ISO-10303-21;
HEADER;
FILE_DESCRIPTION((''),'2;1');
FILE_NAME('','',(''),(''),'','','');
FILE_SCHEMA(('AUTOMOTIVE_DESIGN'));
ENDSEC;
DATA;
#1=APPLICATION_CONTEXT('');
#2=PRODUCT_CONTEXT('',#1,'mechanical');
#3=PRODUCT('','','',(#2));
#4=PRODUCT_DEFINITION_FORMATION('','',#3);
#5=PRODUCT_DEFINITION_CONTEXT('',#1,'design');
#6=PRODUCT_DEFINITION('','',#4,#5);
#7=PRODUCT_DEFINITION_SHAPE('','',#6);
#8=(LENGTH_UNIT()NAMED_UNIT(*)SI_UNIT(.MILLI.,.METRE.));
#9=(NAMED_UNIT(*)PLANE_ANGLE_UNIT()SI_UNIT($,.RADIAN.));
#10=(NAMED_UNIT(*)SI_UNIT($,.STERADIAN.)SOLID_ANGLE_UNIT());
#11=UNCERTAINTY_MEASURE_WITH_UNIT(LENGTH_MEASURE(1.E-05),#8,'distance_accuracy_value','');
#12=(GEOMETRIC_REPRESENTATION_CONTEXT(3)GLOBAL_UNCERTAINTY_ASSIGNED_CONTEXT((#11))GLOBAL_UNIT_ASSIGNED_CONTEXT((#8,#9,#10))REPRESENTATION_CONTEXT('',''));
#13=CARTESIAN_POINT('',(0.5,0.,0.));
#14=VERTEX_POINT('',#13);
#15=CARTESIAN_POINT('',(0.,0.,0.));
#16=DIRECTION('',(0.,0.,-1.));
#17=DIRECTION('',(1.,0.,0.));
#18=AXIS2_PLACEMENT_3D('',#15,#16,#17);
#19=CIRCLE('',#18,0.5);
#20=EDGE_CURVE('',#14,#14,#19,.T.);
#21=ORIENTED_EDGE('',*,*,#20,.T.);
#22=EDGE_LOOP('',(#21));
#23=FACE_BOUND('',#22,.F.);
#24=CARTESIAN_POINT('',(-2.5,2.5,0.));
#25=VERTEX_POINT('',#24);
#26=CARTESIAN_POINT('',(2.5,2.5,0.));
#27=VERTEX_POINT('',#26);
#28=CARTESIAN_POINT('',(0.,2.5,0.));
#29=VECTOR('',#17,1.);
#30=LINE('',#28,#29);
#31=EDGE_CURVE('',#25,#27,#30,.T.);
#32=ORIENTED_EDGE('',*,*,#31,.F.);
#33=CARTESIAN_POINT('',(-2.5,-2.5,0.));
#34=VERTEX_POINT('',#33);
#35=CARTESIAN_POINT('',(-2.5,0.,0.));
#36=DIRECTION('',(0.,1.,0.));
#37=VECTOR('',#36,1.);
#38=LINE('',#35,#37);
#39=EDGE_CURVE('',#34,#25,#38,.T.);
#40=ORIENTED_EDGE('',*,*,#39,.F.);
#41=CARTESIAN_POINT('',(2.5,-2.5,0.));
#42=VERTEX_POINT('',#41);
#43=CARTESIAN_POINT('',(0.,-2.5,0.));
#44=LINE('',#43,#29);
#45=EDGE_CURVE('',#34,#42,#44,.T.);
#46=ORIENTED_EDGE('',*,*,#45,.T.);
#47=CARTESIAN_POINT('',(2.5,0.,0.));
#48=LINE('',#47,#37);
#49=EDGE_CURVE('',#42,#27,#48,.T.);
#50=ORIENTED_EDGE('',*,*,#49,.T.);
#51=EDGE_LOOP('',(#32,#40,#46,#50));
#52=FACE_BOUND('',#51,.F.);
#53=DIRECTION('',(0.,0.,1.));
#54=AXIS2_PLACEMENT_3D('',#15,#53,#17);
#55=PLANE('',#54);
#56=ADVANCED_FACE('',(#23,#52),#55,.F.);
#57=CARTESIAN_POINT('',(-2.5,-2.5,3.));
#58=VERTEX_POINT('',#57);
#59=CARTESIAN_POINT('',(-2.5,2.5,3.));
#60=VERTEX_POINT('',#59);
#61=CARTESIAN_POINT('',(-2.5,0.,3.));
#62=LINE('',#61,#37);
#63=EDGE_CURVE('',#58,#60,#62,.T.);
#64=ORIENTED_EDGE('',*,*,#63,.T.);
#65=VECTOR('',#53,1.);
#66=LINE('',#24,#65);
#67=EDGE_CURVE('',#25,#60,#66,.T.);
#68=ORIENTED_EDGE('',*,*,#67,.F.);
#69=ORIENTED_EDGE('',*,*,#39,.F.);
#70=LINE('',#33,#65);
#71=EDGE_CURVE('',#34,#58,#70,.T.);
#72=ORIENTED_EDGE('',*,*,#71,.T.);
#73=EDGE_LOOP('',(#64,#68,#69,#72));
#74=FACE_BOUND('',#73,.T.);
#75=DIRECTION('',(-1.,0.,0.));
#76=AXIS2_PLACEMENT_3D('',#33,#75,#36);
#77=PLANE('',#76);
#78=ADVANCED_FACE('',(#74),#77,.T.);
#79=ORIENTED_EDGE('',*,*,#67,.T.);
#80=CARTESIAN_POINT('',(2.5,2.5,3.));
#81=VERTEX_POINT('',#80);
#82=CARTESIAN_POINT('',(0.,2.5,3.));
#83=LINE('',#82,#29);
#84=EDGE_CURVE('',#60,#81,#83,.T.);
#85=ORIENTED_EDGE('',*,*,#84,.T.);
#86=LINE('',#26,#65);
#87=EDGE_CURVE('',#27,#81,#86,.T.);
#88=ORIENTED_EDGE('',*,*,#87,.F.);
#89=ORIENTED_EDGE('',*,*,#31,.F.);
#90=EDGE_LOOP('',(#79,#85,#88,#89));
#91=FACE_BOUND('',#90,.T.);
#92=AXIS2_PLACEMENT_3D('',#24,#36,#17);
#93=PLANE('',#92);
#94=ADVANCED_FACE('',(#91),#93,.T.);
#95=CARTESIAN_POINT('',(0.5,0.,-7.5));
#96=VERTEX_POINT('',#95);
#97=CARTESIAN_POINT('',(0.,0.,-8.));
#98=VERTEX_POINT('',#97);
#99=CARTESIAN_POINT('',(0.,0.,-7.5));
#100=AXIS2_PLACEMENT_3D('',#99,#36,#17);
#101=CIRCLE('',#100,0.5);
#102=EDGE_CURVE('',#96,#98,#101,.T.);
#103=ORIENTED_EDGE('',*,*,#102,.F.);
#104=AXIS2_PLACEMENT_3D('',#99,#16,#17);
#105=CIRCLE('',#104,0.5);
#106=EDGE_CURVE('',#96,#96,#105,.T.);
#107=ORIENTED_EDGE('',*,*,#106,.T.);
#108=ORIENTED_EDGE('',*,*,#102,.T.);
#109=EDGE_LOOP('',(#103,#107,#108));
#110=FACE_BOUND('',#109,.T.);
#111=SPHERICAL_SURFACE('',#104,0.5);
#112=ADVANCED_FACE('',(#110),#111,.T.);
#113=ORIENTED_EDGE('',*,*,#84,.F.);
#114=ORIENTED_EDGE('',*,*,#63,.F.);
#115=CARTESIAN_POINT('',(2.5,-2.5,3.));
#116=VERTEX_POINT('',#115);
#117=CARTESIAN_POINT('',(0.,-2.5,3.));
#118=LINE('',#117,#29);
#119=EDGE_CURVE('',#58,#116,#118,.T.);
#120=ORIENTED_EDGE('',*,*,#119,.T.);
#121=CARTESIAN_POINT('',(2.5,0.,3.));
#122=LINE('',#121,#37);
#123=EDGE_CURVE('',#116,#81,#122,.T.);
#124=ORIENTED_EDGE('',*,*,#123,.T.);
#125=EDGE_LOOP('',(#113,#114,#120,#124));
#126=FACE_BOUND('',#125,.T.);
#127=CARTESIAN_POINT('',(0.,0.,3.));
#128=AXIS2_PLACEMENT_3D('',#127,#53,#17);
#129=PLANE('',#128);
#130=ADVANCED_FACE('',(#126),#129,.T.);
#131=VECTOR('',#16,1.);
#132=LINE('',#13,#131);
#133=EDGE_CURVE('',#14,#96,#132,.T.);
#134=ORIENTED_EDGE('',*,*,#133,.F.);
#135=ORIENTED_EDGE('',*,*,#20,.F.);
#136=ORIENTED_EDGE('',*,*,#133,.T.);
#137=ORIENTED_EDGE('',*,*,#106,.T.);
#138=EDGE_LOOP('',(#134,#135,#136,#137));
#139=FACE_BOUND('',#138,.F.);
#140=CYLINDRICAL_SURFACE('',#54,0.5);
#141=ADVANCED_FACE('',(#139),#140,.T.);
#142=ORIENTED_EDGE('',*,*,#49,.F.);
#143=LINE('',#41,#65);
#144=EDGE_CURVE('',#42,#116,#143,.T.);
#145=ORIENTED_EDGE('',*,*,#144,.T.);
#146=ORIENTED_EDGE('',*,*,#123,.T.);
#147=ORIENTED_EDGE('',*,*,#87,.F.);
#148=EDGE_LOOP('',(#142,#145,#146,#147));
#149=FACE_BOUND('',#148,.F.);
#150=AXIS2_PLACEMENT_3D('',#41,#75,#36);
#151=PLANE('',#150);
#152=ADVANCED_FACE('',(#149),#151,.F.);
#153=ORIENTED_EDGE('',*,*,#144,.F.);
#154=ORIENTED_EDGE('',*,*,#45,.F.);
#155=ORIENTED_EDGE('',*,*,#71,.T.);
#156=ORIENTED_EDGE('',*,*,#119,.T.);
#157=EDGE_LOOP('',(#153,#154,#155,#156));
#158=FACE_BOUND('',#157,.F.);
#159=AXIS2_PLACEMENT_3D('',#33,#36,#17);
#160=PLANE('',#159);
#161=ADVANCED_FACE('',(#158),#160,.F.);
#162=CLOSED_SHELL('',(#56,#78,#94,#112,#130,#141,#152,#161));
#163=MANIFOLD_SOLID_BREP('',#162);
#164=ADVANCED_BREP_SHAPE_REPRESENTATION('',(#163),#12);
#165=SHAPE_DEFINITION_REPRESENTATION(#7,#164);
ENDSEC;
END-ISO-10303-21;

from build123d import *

# Parameters (mm, degrees)
F0_W     = 5
F0_H     = 5
F1_DEPTH = 3
F2_R     = 0.5
F3_DEPTH = 8
F4_R     = 0.5


with BuildPart() as f1:
    # F0 (on Top) → F1 (new body)
    with BuildSketch(Plane.XY):
        Rectangle(F0_W, F0_H)
    extrude(amount=F1_DEPTH)

    # F2 (on face) → F3 (join)
    with BuildSketch(Plane(origin=(0, 0, 0), x_dir=(1, 0, 0), z_dir=(0, 0, -1))):
        Circle(F2_R)
    extrude(amount=F3_DEPTH)

    # F4
    f4_edges = [f1.edges().sort_by_distance(p)[0] for p in [
        (-0.5, 0, -8),
    ]]
    fillet(f4_edges, radius=F4_R)


solid = f1.part
